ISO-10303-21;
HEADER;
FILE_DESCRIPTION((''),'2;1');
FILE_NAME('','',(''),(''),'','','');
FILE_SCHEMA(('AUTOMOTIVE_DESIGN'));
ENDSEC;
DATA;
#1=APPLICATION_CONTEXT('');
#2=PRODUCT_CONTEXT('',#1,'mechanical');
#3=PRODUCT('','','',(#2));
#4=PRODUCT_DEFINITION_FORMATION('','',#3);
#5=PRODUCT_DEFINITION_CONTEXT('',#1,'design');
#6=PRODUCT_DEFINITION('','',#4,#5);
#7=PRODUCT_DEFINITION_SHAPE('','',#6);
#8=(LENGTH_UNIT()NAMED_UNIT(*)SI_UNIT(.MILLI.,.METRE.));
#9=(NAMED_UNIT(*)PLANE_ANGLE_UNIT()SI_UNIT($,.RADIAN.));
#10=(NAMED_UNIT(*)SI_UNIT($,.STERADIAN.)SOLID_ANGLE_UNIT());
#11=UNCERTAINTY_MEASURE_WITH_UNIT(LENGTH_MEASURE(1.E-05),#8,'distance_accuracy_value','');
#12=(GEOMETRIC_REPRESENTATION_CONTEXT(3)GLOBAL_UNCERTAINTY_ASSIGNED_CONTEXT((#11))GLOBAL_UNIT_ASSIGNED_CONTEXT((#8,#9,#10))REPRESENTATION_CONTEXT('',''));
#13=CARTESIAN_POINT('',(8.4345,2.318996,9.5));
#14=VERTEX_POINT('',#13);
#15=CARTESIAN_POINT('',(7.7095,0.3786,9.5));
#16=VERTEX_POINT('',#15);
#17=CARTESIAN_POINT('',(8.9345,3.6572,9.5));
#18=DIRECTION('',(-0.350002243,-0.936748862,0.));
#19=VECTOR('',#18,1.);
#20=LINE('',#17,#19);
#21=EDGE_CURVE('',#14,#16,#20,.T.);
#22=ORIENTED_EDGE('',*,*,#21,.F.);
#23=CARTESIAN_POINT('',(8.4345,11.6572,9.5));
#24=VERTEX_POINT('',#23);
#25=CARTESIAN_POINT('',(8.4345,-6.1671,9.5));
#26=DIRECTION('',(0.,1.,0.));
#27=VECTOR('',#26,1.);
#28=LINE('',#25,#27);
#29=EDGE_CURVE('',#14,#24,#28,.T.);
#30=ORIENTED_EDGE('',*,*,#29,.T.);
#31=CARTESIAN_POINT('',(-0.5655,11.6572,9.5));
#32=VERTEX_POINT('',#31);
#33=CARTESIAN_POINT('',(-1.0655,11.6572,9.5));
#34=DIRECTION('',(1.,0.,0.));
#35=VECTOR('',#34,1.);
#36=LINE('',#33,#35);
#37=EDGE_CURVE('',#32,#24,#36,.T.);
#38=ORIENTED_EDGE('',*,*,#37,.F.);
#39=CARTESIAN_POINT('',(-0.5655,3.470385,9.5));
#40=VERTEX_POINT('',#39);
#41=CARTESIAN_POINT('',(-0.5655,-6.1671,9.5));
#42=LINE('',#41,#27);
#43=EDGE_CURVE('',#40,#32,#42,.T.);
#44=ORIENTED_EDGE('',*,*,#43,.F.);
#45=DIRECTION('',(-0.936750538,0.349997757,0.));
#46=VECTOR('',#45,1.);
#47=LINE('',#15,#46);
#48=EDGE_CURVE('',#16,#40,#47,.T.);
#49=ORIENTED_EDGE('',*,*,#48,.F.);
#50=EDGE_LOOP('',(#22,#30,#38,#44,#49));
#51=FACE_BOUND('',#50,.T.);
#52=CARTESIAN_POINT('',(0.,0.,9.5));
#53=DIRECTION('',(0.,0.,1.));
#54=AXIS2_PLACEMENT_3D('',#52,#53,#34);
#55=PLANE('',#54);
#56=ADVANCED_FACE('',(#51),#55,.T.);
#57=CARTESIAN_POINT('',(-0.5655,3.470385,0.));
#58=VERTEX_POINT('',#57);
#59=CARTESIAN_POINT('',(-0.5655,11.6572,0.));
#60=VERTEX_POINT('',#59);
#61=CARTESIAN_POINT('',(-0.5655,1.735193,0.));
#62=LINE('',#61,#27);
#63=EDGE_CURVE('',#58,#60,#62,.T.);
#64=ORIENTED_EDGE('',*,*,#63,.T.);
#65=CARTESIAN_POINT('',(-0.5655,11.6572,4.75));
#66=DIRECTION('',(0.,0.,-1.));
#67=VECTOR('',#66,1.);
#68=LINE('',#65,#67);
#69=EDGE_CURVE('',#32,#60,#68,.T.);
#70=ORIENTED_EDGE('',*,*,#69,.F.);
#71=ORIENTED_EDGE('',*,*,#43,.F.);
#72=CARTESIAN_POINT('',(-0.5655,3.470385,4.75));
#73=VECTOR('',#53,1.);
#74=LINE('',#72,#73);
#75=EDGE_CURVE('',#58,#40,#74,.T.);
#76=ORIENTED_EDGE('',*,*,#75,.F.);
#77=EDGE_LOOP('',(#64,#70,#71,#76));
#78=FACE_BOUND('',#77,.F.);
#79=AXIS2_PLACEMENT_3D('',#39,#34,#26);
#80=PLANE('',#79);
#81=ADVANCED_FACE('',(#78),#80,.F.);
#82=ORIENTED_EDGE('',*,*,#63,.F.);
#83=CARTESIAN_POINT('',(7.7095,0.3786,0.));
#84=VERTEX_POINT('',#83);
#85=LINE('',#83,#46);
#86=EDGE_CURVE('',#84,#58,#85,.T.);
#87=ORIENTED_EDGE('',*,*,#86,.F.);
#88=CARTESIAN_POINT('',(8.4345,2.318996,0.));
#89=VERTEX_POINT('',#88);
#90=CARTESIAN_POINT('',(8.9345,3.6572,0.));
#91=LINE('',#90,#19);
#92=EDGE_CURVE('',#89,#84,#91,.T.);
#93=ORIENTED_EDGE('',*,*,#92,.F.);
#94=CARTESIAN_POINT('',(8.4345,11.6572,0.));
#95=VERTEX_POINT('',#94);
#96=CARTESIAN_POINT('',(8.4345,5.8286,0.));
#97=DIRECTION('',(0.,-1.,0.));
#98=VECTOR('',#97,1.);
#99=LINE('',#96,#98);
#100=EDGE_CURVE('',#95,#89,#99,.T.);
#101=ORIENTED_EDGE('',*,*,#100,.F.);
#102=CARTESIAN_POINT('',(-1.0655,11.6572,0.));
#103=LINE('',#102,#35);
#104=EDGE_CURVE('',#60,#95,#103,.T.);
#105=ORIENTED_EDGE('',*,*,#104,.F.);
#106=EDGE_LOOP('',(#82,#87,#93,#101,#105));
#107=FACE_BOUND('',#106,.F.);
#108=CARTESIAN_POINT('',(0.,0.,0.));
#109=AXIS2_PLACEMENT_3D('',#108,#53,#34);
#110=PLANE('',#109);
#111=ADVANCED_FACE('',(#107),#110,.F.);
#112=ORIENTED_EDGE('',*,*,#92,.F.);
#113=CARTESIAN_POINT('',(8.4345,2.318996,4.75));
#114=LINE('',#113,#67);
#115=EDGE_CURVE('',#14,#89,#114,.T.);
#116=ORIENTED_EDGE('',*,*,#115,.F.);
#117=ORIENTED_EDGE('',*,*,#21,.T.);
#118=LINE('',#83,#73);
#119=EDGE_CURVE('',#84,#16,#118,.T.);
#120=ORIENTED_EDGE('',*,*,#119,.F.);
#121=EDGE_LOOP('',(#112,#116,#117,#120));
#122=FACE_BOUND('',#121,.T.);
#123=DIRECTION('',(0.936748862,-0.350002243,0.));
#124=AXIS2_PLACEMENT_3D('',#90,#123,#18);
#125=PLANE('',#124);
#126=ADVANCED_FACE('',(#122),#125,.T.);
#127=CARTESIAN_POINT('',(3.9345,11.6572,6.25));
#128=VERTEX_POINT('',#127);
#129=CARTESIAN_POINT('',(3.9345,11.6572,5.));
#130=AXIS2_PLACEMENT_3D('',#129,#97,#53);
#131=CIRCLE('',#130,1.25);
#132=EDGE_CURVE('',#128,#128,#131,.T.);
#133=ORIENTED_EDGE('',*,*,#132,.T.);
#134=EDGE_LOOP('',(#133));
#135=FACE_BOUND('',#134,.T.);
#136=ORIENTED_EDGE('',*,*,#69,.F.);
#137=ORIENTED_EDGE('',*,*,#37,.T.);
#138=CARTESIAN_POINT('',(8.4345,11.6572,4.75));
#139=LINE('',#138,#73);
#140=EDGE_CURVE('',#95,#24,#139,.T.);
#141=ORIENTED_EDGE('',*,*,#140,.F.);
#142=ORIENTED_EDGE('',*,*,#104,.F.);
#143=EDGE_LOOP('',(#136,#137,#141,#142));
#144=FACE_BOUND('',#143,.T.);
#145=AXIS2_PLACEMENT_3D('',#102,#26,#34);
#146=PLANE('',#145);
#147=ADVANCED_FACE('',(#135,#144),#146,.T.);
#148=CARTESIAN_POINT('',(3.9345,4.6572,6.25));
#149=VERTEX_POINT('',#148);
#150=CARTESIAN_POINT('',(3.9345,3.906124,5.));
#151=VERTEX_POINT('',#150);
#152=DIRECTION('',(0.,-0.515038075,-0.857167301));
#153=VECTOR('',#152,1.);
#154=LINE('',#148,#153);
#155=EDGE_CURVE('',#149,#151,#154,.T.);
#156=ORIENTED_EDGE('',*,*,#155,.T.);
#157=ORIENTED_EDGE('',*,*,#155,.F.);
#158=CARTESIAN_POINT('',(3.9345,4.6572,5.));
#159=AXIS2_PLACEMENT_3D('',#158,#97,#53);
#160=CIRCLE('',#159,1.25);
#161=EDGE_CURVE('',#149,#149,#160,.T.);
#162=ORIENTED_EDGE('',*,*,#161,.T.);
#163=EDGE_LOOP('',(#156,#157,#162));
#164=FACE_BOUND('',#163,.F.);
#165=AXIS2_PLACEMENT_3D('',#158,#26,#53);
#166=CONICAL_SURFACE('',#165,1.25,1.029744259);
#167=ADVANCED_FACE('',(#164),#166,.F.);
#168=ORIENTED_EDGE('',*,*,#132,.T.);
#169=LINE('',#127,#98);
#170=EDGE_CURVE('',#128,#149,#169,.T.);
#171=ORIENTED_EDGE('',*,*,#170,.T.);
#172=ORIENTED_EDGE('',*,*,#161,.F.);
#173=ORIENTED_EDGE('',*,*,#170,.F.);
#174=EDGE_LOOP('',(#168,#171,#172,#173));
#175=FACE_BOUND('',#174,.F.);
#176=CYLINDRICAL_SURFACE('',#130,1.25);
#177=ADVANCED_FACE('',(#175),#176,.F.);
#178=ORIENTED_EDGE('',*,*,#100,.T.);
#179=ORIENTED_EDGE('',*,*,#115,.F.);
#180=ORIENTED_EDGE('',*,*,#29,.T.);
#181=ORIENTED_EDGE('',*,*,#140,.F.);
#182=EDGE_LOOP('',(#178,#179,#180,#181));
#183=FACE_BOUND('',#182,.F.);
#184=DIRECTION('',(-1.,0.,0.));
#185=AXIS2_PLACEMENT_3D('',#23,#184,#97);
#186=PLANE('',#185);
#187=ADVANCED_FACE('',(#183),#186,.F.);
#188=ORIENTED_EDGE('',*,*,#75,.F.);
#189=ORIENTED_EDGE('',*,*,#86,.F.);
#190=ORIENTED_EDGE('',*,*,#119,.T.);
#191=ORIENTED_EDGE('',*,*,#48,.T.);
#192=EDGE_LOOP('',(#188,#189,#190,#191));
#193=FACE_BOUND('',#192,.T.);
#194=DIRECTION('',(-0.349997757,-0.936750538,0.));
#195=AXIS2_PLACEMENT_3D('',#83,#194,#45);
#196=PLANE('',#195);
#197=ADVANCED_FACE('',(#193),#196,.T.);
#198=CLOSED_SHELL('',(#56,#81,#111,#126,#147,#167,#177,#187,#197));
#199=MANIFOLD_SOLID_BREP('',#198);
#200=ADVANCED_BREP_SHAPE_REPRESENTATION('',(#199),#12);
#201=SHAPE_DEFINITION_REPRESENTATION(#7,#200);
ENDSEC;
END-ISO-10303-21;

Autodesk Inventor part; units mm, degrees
ref_plane "YZ Plane" through (0, 0, 0) normal (1, 0, 0) x (0, 1, 0)
ref_plane "XZ Plane" through (0, 0, 0) normal (0, 1, 0) x (-1, 0, 0)
ref_plane "XY Plane" through (0, 0, 0) normal (0, 0, 1) x (1, 0, 0)
sketch "Sketch2" plane through (0, 0, 0) normal (0, 0, 1) x (1, 0, 0)
  line L0 (-5.0655, 3.6572) -> (12.9345, 3.6572)
  line L1 (12.9345, 3.6572) -> (12.9345, -8.3428)
  line L2 (12.9345, -8.3428) -> (-5.0655, -8.3428)
  line L3 (-5.0655, -8.3428) -> (-5.0655, 3.6572)
  line L4 (8.9345, 3.6572) -> (7.7095, 0.3786)
  line L5 (7.7095, 0.3786) -> (-1.0655, 3.6572)
  line L6 (-1.0655, 3.6572) -> (-1.0655, 11.6572)
  line L7 (-1.0655, 11.6572) -> (8.9345, 11.6572)
  line L8 (8.9345, 11.6572) -> (8.9345, 3.6572)
  point P0 (0, 0)
  dimension "d0" = 18
  dimension "d1" = 12
  dimension "d2" = 3.5
  dimension "d3" = 4
  dimension "d4" = 4
  dimension "d5" = 110.487
  dimension "d6" = 8
extrude "Extrusion1" add sketch "Sketch2" along normal blind 9.5 contours L6 L7 L8 L0 | L0 L4 L5
sketch "Sketch3" plane through (0, 0, 9.5) normal (0, 0, 1) x (1, 0, 0)
  line L0 (-1.0655, 3.6572) -> (7.7095, 0.3786) projected
  line L1 (7.7095, 0.3786) -> (8.9345, 3.6572) projected
  line L2 (8.9345, 3.6572) -> (8.9345, 11.6572) projected
  line L3 (8.9345, 11.6572) -> (-1.0655, 11.6572) projected
  line L4 (-1.0655, 11.6572) -> (-1.0655, 3.6572) projected
  line L5 (-0.5655, 15.4431) -> (8.4345, 15.4431)
  line L6 (8.4345, 15.4431) -> (8.4345, -6.1671)
  line L7 (8.4345, -6.1671) -> (-0.5655, -6.1671)
  line L8 (-0.5655, -6.1671) -> (-0.5655, 15.4431)
  point P0 (0, 0)
  dimension "d9" = 0.5
  dimension "d10" = 0.5
extrude "Extrusion2" cut sketch "Sketch3" against normal blind 10 contours L8 L3 L6 L1 L0 | L0 L1 L6 L7 L8 | L8 L5 L6 L3 keep common part
sketch "Sketch4" plane through (-0.5655, 11.6572, 9.5) normal (0, 1, 0) x (1, 0, 0)
  line L0 (0, 0) -> (0, 9.5) projected
  line L1 (9, 0) -> (0, 0) projected
  line L2 (9, 9.5) -> (9, 0) projected
  line L3 (9, 9.5) -> (0, 9.5) projected
  point P0 (0.5655, 9.5)
  point P1 (4.5, 4.5)
  dimension "d13" = 4.5
  dimension "d14" = 4.5
  dimension "d15" = 9
  dimension "d16" = 9.5
hole "Hole1" at (3.9345, 11.6572, 5) direction (0, -1, 0) diameter 2.5 depth 7 tip angle 118
equation "\"d14\" = 0.5 * d15"
properties part number "3DP_PLA_Measurement_Rail_Rammer"
